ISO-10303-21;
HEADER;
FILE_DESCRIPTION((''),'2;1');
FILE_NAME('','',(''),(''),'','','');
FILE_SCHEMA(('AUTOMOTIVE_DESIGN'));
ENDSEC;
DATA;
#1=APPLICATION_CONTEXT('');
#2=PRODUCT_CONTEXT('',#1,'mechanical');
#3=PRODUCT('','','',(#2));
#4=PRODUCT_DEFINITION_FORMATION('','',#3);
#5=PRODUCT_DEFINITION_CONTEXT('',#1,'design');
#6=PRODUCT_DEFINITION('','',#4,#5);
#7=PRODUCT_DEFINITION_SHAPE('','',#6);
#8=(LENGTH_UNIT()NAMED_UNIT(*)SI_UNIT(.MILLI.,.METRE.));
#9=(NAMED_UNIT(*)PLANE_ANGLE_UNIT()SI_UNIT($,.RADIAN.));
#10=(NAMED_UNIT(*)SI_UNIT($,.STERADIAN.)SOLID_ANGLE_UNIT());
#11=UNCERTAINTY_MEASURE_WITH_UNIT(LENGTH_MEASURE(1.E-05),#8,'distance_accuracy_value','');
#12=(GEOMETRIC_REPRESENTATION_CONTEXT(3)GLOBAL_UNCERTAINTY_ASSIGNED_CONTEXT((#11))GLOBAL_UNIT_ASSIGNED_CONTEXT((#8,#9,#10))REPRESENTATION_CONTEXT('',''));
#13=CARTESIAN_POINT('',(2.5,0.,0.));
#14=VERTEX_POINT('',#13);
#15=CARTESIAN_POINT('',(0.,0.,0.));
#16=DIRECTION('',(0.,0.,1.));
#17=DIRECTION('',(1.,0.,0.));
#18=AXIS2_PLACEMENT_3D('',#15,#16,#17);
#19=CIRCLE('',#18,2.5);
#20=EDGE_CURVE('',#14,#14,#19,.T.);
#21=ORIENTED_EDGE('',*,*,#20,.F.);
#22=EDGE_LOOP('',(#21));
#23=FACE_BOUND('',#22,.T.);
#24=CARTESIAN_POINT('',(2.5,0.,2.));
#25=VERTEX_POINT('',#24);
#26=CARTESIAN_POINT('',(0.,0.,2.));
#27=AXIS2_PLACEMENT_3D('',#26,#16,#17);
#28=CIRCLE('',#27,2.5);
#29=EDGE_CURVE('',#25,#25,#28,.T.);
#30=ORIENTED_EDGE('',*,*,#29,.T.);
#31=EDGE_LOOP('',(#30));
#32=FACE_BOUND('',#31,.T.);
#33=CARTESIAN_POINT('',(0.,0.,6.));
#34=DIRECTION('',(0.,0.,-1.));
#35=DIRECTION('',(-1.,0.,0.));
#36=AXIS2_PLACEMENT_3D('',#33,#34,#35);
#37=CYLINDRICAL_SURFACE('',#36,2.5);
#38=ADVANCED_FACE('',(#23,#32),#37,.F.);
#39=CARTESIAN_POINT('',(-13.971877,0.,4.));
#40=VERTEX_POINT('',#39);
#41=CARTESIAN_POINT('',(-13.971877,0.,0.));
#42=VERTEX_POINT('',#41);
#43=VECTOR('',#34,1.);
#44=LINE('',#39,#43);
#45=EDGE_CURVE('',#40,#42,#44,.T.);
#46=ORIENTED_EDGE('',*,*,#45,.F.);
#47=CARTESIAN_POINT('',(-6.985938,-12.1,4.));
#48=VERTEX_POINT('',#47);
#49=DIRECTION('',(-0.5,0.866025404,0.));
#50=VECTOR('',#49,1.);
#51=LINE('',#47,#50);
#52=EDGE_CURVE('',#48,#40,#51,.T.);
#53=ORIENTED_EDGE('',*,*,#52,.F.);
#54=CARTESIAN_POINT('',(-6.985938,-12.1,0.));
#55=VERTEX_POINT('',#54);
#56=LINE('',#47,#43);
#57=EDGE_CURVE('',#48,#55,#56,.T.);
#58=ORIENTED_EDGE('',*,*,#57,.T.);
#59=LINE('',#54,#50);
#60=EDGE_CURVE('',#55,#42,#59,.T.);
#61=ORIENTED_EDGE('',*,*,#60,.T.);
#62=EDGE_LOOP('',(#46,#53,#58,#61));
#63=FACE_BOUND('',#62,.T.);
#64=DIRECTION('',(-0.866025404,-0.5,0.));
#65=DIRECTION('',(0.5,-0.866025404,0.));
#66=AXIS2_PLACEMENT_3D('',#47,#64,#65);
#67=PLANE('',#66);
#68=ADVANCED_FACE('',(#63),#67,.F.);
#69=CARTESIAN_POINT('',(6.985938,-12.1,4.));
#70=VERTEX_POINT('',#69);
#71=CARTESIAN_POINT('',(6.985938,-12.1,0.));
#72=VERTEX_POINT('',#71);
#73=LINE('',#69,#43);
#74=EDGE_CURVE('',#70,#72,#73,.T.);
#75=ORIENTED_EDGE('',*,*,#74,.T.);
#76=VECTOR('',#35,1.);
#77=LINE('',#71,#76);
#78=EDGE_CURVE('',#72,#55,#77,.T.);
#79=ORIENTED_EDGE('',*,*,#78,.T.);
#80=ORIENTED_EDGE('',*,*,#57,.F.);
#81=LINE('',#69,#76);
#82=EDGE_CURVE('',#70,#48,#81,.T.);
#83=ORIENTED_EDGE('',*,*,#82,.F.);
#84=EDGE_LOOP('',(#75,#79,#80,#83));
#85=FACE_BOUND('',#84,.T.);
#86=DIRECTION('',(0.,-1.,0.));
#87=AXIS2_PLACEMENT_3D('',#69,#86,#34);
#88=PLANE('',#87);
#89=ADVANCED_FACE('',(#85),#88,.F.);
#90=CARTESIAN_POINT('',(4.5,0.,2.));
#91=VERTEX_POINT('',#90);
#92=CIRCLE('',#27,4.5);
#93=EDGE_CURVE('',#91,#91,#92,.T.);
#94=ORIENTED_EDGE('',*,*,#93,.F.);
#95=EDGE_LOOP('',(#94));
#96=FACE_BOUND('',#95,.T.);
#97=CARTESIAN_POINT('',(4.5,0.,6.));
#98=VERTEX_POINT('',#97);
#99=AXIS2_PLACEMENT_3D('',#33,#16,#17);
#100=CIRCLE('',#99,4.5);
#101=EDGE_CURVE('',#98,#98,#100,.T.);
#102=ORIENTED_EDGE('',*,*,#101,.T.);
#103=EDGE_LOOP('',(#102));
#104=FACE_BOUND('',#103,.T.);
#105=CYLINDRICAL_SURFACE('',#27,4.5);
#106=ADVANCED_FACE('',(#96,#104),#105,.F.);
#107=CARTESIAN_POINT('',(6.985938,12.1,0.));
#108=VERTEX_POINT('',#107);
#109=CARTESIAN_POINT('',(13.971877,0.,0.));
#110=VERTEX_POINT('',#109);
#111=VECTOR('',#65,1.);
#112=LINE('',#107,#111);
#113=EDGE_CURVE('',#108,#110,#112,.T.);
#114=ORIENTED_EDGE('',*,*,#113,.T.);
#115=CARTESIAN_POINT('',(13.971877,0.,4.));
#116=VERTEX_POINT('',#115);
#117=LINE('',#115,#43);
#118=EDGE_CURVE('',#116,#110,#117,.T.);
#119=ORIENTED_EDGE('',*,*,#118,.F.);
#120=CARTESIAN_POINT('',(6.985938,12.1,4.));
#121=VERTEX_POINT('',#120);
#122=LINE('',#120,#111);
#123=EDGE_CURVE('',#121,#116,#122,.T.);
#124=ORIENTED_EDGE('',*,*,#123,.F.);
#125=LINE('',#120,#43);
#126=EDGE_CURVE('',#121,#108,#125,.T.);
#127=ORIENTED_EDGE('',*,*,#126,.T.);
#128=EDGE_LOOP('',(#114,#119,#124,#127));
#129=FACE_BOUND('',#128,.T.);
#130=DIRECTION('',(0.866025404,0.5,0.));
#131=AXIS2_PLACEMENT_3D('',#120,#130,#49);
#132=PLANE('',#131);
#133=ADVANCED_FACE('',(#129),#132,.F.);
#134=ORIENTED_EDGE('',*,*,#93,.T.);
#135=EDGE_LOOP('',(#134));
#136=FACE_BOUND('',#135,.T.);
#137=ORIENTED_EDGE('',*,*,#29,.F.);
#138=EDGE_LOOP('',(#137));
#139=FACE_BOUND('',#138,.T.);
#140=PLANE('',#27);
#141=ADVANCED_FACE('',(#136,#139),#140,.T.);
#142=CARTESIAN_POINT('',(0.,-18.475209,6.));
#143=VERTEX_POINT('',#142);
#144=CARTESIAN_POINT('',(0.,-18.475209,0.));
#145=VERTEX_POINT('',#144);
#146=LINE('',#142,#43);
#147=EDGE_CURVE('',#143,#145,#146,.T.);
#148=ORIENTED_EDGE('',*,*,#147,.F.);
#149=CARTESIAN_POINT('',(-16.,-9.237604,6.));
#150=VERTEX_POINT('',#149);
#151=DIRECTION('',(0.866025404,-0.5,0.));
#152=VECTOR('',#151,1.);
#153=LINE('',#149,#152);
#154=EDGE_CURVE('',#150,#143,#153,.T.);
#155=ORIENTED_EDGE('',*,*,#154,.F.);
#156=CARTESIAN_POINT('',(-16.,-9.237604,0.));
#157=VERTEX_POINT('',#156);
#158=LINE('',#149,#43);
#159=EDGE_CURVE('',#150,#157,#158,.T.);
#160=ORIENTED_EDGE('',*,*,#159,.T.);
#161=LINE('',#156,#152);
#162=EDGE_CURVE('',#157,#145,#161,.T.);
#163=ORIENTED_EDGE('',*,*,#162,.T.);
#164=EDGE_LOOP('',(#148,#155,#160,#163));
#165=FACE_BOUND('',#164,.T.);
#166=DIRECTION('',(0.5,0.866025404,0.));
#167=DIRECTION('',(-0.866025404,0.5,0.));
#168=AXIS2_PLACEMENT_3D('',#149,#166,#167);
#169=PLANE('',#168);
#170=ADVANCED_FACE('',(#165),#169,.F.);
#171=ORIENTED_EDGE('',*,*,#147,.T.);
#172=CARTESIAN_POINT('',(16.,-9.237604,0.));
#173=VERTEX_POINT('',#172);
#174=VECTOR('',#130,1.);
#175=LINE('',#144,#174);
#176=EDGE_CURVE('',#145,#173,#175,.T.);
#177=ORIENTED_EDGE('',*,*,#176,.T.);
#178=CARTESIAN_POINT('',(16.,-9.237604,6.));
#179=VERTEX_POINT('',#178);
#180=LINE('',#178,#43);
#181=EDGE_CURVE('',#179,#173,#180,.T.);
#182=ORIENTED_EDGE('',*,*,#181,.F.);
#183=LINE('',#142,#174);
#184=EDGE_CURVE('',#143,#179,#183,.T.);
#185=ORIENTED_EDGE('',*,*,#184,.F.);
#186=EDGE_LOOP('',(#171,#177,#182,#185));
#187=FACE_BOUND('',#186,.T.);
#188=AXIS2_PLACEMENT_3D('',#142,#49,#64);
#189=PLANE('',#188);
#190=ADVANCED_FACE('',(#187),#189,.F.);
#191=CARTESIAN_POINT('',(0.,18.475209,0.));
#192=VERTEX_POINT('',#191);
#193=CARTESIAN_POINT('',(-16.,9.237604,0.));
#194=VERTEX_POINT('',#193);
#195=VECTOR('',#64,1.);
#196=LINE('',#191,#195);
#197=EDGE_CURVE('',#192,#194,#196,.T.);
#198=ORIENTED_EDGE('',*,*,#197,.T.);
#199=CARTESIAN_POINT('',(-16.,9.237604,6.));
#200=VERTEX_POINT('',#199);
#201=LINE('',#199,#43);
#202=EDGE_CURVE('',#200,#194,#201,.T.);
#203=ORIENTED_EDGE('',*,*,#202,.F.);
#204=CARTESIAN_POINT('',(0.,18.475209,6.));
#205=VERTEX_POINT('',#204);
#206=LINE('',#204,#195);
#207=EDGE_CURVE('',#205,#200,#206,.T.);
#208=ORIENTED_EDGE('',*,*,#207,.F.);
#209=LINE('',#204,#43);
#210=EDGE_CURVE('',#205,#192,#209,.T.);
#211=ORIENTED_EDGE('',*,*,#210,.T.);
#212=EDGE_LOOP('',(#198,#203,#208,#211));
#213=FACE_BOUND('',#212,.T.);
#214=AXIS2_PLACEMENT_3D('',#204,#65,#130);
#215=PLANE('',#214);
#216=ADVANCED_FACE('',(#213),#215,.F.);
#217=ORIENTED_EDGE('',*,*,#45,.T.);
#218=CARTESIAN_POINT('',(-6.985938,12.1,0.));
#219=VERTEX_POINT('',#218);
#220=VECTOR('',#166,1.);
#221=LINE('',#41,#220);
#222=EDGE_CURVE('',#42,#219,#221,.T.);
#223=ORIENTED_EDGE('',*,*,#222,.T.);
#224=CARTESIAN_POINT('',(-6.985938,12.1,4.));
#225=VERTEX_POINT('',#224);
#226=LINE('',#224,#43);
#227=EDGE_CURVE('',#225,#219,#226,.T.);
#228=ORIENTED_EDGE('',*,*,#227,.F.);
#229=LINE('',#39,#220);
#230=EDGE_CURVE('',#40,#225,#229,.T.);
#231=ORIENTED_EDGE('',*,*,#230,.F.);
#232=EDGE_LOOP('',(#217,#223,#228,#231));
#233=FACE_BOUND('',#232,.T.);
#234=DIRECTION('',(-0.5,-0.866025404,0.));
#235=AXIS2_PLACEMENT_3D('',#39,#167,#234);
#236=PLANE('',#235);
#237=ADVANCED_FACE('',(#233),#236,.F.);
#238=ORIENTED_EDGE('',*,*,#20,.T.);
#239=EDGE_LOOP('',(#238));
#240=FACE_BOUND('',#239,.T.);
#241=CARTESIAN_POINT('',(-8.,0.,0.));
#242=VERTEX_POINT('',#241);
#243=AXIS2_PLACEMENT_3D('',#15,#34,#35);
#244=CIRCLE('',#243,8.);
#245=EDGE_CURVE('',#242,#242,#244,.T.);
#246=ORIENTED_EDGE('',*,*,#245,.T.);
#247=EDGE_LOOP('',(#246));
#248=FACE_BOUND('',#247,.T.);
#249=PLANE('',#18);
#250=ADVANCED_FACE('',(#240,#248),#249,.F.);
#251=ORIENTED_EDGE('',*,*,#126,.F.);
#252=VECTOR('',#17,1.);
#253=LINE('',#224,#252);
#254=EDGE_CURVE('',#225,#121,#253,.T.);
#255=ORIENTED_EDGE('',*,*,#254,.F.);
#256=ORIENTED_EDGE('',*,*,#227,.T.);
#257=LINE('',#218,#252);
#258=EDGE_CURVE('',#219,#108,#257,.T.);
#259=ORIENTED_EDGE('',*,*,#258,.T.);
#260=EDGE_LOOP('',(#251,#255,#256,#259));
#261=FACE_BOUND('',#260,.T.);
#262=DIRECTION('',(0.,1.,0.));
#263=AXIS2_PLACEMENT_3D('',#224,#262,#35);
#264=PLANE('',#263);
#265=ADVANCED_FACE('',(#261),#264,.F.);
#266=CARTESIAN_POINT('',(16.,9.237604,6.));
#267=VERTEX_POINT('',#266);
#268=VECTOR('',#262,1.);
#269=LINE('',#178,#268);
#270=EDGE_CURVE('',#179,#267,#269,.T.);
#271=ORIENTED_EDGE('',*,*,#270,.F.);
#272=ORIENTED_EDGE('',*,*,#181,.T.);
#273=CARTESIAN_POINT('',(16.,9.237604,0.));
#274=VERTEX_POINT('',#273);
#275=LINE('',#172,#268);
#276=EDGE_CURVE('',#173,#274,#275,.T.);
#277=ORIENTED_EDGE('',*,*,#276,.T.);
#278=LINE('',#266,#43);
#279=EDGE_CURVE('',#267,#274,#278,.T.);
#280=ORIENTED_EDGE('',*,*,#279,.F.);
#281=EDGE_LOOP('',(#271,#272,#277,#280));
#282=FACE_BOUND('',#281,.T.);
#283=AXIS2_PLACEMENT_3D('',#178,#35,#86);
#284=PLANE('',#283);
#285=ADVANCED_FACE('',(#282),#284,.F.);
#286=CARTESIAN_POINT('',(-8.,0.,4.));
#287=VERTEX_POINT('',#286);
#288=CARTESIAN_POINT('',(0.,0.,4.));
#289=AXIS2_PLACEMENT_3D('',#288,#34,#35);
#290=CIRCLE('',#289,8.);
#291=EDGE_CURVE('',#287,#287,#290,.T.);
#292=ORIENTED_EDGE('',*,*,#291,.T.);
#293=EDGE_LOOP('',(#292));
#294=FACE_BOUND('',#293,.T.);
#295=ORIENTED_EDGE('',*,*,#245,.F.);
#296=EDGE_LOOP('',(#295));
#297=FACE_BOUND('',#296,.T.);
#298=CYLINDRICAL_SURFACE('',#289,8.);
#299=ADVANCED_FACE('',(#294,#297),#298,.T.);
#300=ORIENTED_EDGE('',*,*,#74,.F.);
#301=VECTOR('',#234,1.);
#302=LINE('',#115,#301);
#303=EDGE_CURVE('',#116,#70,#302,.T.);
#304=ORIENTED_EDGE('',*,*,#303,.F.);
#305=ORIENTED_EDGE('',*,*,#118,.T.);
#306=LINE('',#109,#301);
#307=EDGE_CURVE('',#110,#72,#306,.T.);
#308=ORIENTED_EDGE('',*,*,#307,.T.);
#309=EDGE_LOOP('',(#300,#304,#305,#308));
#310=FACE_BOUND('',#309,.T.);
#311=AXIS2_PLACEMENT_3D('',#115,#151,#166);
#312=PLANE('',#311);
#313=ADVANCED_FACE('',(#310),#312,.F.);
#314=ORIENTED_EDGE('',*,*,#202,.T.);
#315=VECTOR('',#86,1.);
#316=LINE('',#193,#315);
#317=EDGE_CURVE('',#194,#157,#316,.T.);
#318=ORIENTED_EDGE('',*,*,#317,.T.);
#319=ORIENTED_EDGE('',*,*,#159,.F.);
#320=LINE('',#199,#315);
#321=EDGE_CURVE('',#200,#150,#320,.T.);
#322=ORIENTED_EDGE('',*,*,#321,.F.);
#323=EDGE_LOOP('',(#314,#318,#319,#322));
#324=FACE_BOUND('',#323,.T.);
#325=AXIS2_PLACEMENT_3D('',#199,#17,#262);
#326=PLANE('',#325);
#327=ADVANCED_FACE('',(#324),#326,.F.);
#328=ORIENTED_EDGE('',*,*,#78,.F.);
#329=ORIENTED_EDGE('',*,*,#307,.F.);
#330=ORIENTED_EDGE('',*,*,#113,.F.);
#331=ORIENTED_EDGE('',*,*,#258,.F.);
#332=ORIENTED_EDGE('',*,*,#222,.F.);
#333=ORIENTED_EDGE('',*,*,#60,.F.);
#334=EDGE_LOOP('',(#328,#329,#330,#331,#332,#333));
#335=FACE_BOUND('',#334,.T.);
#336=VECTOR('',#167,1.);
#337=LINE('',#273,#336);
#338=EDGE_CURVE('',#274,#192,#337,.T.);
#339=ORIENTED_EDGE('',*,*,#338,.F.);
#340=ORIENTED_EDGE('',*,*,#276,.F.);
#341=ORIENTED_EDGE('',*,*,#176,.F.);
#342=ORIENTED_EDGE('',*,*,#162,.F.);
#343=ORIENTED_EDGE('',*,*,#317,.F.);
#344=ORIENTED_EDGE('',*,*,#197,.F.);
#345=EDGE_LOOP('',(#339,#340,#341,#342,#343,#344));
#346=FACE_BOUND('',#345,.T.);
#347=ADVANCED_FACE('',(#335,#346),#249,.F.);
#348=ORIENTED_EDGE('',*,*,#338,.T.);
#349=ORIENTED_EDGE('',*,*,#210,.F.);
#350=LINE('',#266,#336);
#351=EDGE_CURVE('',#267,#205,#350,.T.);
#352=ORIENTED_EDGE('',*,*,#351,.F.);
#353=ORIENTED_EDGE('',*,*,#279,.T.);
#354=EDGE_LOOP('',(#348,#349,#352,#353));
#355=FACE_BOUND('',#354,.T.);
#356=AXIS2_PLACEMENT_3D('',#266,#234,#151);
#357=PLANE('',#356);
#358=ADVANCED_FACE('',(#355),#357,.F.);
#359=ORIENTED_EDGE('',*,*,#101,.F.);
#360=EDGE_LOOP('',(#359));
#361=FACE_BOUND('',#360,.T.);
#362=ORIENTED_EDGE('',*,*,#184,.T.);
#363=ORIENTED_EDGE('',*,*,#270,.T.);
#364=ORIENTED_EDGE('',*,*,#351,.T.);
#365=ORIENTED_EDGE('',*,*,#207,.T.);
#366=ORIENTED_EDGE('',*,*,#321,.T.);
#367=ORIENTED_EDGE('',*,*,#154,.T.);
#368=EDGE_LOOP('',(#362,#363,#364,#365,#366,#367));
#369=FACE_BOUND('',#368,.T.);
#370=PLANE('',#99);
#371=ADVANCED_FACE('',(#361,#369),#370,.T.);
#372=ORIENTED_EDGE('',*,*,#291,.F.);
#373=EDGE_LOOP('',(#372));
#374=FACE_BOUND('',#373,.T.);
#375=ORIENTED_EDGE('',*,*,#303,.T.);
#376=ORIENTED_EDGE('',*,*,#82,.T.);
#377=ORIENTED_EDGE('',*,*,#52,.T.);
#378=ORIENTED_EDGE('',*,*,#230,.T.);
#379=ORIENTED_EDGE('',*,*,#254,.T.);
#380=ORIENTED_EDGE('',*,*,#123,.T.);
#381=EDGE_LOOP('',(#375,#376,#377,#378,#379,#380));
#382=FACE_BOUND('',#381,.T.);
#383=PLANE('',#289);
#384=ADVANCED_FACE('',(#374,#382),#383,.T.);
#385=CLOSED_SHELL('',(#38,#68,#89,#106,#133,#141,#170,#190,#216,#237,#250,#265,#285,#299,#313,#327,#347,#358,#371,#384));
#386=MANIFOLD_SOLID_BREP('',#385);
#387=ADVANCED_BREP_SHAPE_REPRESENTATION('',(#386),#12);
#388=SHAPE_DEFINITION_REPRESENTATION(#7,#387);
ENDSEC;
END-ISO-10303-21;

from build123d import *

# Parameters (mm, degrees)
SKIZZE1_R                       = 2.5
AUFSATZ_LINEAR_AUSTRAGEN1_DEPTH = 6
SKIZZE2_R                       = 4.5
SCHNITT_LINEAR_AUSTRAGEN1_DEPTH = 4
SKIZZE3_R                       = 8
SCHNITT_LINEAR_AUSTRAGEN2_DEPTH = 4


with BuildPart() as part:
    # Skizze1 → Aufsatz-Linear austragen1 (new body)
    with BuildSketch(Plane.XY):
        Polygon((16, 9.237604307), (0, 18.475208614), (-16, 9.237604307), (-16, -9.237604307), (0, -18.475208614), (16, -9.237604307), align=None)
        Circle(SKIZZE1_R, mode=Mode.SUBTRACT)
    extrude(amount=AUFSATZ_LINEAR_AUSTRAGEN1_DEPTH)

    # Skizze2 → Schnitt-Linear austragen1 (cut)
    with BuildSketch(Plane.XY.offset(6)):
        Circle(SKIZZE2_R)
    extrude(amount=-SCHNITT_LINEAR_AUSTRAGEN1_DEPTH, mode=Mode.SUBTRACT)

    # Skizze3 → Schnitt-Linear austragen2 (cut)
    with BuildSketch(Plane(origin=(0, 0, 0), x_dir=(-1, 0, 0), z_dir=(0, 0, -1))):
        Polygon((13.971876514, 0), (6.985938257, 12.1), (-6.985938257, 12.1), (-13.971876514, 0), (-6.985938257, -12.1), (6.985938257, -12.1), align=None)
        Circle(SKIZZE3_R, mode=Mode.SUBTRACT)
    extrude(amount=-SCHNITT_LINEAR_AUSTRAGEN2_DEPTH, mode=Mode.SUBTRACT)


solid = part.part
